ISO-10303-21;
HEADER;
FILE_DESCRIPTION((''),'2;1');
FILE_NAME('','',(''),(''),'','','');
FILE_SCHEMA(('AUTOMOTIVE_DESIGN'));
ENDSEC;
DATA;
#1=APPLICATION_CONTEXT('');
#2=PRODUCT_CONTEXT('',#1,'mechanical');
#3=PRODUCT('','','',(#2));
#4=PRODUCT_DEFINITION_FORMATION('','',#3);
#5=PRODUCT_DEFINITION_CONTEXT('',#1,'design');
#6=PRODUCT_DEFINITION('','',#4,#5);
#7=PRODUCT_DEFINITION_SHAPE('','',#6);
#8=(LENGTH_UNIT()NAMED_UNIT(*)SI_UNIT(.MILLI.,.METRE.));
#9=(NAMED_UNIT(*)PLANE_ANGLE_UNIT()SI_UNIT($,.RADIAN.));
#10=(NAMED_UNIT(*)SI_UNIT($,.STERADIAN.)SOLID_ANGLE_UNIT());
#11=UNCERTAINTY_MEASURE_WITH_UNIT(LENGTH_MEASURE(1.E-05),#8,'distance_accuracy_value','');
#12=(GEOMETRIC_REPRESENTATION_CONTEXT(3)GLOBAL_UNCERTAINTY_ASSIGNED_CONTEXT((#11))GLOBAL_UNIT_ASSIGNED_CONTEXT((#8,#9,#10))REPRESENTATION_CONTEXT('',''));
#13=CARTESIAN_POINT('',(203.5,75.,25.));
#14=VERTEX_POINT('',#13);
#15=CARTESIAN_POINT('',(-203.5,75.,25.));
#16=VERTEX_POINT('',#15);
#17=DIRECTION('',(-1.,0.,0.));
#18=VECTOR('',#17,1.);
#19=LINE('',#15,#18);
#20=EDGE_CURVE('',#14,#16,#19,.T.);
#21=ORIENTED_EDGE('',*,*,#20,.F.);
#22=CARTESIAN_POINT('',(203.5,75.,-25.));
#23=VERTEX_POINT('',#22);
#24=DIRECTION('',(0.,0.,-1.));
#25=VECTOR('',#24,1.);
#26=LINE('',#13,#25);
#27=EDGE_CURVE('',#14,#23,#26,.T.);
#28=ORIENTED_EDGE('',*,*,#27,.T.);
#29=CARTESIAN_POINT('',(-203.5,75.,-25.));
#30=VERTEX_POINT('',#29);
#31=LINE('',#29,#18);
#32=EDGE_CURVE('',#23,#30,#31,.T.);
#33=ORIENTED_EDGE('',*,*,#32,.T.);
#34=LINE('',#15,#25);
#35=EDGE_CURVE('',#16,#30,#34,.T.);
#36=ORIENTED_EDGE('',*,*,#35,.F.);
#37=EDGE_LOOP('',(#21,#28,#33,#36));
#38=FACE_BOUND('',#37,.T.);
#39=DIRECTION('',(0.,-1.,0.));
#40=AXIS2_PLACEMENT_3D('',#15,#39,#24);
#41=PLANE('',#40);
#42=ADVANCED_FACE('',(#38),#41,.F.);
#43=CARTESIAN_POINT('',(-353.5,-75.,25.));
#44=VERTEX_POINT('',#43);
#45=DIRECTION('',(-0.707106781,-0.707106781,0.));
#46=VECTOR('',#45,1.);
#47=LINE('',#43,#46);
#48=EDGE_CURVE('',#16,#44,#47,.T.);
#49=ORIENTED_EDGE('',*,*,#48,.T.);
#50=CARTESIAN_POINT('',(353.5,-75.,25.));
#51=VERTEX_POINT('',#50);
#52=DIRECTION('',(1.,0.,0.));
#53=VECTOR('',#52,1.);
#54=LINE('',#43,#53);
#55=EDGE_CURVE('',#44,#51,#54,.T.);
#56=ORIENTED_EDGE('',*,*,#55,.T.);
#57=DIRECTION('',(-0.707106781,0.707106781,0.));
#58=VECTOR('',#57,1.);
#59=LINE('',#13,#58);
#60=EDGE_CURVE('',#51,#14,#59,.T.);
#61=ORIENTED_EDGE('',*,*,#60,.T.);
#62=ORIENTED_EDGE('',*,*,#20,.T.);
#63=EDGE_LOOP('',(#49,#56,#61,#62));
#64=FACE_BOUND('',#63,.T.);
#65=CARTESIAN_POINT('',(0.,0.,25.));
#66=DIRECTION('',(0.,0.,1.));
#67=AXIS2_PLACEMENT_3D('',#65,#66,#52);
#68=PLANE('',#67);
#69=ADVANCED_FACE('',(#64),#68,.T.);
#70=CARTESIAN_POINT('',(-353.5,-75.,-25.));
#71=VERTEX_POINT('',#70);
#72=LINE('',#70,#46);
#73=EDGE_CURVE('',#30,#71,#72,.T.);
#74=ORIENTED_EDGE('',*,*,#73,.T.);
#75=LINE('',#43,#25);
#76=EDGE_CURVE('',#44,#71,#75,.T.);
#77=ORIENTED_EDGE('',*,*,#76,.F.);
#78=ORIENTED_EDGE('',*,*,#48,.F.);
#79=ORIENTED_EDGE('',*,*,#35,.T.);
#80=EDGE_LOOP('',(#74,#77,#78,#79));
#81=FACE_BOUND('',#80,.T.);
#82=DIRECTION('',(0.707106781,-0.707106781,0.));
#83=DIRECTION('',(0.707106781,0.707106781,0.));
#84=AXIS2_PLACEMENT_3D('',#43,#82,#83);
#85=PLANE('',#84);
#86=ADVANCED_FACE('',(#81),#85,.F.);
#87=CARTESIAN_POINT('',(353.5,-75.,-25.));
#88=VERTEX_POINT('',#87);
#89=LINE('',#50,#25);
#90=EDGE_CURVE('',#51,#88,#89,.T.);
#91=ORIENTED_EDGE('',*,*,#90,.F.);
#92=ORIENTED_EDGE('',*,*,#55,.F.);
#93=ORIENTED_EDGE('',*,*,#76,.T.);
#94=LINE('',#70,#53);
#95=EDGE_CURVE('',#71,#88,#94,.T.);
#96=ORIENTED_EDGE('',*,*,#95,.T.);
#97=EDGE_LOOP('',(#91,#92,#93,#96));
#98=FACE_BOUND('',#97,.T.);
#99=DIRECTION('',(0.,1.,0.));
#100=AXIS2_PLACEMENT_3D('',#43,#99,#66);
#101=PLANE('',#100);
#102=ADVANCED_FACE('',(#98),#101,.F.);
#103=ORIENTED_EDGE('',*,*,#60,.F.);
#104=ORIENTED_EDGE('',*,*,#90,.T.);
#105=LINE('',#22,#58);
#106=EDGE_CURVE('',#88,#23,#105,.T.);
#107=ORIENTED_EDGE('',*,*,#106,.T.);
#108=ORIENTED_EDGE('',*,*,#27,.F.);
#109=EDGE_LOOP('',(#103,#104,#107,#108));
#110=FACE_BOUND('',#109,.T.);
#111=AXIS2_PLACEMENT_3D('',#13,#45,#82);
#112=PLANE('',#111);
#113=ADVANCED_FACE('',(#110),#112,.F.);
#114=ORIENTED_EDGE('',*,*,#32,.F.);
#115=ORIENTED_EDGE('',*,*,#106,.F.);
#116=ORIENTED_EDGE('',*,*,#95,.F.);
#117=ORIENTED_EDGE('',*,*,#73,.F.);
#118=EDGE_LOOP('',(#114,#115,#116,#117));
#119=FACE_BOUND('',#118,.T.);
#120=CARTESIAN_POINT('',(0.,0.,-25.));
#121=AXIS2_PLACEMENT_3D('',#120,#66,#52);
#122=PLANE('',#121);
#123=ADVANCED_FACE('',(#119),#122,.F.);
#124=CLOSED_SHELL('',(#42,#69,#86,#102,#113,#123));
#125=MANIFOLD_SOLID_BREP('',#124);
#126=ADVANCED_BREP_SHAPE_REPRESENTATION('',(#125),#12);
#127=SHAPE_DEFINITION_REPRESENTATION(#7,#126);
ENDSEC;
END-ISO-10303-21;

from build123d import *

# Parameters (mm, degrees)
BOSS_EXTRUDE3_DEPTH = 25


with BuildPart() as part:
    # Sketch2 → Boss-Extrude3 (new, symmetric)
    with BuildSketch(Plane.XY):
        Polygon((-353.5, -75), (-203.5, 75), (203.5, 75), (353.5, -75), align=None)
    extrude(amount=BOSS_EXTRUDE3_DEPTH, both=True)


solid = part.part
